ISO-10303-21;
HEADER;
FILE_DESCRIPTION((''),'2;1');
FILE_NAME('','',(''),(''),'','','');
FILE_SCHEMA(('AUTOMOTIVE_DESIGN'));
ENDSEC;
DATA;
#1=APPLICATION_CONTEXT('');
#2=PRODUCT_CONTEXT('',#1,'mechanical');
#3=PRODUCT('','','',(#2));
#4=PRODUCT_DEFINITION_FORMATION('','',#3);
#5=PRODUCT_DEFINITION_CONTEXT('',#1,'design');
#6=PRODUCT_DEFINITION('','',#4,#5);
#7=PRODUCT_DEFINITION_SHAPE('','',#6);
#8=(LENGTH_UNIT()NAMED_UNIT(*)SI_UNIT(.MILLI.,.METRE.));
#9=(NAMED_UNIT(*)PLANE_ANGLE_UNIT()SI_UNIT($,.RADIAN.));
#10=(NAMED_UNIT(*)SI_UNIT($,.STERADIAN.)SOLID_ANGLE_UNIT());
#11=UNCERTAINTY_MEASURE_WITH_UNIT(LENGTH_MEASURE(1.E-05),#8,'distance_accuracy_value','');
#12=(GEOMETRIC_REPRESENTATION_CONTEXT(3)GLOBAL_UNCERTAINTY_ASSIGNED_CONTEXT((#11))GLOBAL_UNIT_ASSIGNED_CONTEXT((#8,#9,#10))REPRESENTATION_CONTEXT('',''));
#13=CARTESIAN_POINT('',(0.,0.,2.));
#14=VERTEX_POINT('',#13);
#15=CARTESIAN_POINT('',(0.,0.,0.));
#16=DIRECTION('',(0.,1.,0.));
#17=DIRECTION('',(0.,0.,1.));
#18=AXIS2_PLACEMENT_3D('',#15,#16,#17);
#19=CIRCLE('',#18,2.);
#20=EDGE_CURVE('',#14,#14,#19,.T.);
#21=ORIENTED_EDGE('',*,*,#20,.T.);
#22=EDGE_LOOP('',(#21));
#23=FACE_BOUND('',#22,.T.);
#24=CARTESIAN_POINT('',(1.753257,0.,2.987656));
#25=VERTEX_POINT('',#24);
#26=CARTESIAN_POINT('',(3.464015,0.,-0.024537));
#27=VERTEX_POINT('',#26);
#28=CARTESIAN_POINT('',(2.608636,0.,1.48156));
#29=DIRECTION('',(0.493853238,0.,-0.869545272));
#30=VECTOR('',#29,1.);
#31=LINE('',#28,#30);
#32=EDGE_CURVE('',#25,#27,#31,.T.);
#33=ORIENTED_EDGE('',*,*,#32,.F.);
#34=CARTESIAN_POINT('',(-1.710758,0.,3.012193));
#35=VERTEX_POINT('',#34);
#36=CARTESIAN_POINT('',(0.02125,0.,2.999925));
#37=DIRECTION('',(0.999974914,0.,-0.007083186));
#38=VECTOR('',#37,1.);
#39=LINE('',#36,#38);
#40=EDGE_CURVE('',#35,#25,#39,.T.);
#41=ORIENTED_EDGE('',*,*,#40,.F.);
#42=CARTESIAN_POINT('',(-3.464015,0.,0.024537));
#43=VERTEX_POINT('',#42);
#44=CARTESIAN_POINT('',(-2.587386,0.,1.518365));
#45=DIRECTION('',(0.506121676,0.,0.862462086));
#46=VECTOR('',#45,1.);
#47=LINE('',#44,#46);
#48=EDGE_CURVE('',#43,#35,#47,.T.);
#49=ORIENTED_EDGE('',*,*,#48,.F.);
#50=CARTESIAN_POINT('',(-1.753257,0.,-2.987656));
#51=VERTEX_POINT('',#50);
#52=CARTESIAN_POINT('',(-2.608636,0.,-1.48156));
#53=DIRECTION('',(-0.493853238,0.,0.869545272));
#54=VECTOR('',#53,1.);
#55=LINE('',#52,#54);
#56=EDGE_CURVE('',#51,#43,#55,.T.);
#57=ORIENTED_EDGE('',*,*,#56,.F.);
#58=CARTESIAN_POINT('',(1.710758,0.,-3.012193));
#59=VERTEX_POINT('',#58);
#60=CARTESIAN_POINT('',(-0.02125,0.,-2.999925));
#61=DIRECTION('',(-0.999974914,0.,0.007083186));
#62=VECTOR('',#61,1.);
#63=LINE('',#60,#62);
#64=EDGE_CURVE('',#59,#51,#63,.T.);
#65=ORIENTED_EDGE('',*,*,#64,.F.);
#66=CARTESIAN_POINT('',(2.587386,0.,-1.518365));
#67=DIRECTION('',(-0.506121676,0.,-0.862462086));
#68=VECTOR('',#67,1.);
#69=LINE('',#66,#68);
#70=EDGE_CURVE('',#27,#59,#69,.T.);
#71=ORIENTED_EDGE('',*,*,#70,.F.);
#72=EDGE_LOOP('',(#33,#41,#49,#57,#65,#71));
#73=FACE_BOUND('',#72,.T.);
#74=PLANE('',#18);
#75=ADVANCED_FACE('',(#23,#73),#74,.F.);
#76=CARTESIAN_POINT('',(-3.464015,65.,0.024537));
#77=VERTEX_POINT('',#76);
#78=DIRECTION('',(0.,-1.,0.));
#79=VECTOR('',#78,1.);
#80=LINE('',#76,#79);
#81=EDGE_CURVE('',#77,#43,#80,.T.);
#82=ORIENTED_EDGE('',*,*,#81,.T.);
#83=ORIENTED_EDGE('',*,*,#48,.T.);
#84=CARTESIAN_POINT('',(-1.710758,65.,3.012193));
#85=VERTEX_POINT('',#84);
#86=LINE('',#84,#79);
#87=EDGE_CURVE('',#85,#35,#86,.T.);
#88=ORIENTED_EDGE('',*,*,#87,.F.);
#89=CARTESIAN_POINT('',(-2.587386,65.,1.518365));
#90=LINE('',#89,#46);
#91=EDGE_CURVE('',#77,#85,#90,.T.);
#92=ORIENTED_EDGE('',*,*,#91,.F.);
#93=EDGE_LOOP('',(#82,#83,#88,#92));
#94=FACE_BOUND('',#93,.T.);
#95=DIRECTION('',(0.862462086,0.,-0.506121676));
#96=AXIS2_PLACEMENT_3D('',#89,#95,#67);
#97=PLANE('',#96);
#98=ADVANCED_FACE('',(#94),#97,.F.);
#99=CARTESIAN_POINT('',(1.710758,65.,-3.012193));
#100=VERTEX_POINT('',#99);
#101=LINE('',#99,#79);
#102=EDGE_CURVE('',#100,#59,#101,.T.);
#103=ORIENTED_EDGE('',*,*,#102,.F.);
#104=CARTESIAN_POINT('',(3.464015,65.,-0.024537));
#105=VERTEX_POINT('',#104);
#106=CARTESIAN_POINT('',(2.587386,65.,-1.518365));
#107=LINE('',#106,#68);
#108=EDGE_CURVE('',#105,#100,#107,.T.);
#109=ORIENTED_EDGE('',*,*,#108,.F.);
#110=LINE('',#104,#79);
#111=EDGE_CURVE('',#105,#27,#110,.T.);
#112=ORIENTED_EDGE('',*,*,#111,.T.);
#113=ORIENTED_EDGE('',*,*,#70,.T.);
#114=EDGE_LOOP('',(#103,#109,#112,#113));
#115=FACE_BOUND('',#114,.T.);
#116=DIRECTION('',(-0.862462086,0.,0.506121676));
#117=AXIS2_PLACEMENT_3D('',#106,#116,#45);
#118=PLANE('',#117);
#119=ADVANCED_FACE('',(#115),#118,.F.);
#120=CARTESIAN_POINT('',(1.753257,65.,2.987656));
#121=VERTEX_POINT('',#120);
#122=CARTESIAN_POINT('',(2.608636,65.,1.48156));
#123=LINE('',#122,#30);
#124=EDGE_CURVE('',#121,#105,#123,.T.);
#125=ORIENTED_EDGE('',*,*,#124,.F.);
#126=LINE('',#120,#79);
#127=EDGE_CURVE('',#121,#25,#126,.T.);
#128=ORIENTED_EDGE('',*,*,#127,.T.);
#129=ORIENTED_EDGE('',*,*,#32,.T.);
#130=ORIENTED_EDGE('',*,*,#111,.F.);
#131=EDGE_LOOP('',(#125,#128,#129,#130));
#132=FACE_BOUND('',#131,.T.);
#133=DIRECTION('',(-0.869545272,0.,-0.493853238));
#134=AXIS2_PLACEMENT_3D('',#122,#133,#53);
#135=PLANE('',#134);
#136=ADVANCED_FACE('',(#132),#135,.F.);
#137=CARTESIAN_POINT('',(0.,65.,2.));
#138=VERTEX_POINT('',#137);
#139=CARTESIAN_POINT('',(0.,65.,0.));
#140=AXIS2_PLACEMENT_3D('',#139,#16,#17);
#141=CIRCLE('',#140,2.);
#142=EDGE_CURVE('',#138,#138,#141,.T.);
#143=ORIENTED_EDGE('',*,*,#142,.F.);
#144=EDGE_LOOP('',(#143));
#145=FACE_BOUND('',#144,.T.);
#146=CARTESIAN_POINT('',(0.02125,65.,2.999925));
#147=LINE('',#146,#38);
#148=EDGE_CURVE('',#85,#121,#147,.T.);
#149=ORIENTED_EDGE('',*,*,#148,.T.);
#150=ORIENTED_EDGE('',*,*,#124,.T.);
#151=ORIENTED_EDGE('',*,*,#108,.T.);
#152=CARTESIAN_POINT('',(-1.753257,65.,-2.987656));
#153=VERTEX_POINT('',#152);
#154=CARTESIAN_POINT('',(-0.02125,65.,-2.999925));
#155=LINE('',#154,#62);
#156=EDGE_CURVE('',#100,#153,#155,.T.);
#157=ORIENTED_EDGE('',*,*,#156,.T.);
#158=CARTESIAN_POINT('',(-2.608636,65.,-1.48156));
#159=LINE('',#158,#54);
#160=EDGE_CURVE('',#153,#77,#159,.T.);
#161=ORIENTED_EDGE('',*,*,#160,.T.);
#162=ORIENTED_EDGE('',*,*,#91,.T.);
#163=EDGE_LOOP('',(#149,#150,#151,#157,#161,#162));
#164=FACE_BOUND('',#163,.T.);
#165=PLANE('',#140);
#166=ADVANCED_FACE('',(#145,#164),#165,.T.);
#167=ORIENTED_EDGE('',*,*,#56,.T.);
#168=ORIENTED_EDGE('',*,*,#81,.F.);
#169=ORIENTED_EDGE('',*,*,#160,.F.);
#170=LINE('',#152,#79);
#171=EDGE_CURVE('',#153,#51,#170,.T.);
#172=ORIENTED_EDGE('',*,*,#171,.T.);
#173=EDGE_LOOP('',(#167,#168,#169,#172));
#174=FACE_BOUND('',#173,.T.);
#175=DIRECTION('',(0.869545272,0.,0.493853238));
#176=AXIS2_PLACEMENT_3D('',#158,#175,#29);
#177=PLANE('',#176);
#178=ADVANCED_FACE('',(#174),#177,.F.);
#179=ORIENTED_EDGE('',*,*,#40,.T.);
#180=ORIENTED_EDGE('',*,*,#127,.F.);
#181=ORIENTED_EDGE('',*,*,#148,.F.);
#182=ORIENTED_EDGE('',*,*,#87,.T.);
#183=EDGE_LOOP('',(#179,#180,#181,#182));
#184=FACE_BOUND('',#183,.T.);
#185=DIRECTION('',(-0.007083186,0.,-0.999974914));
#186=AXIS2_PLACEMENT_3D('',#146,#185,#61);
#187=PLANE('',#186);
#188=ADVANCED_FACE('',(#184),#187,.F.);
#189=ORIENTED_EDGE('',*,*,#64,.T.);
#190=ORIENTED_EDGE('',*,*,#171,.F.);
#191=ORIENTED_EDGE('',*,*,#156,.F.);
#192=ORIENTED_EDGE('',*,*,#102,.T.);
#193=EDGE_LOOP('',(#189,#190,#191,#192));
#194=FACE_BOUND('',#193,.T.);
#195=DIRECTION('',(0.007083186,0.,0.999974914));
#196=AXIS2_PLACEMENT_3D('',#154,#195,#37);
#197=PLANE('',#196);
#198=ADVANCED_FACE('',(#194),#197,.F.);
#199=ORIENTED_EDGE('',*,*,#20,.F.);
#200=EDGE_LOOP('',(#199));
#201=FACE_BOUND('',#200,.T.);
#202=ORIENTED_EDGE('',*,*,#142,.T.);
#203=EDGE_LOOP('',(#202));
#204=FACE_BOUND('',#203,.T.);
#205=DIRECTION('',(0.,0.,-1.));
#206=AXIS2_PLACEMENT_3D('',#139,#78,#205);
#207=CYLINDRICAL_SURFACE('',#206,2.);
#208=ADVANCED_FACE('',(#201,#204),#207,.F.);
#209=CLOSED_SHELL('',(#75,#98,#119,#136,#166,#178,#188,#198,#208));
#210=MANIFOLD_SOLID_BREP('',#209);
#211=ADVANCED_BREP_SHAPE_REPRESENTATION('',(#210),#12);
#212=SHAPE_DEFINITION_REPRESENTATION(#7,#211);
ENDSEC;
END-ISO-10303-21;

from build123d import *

# Parameters (mm, degrees)
SKETCH_2_R      = 2
EXTRUDE_1_DEPTH = 65


with BuildPart() as part:
    # 草图2 → 凸台-拉伸1 (new body)
    with BuildSketch(Plane(origin=(0, 0, 0), x_dir=(1, 0, 0), z_dir=(0, 1, 0))):
        Polygon((1.753256915, -2.987656304), (3.464014714, 0.024536876), (1.710757799, 3.01219318), (-1.753256915, 2.987656304), (-3.464014714, -0.024536876), (-1.710757799, -3.01219318), align=None)
        with Locations(Location((0, 0, 0), (0, 0, 270))):
            Circle(SKETCH_2_R, mode=Mode.SUBTRACT)
    extrude(amount=EXTRUDE_1_DEPTH)


solid = part.part
